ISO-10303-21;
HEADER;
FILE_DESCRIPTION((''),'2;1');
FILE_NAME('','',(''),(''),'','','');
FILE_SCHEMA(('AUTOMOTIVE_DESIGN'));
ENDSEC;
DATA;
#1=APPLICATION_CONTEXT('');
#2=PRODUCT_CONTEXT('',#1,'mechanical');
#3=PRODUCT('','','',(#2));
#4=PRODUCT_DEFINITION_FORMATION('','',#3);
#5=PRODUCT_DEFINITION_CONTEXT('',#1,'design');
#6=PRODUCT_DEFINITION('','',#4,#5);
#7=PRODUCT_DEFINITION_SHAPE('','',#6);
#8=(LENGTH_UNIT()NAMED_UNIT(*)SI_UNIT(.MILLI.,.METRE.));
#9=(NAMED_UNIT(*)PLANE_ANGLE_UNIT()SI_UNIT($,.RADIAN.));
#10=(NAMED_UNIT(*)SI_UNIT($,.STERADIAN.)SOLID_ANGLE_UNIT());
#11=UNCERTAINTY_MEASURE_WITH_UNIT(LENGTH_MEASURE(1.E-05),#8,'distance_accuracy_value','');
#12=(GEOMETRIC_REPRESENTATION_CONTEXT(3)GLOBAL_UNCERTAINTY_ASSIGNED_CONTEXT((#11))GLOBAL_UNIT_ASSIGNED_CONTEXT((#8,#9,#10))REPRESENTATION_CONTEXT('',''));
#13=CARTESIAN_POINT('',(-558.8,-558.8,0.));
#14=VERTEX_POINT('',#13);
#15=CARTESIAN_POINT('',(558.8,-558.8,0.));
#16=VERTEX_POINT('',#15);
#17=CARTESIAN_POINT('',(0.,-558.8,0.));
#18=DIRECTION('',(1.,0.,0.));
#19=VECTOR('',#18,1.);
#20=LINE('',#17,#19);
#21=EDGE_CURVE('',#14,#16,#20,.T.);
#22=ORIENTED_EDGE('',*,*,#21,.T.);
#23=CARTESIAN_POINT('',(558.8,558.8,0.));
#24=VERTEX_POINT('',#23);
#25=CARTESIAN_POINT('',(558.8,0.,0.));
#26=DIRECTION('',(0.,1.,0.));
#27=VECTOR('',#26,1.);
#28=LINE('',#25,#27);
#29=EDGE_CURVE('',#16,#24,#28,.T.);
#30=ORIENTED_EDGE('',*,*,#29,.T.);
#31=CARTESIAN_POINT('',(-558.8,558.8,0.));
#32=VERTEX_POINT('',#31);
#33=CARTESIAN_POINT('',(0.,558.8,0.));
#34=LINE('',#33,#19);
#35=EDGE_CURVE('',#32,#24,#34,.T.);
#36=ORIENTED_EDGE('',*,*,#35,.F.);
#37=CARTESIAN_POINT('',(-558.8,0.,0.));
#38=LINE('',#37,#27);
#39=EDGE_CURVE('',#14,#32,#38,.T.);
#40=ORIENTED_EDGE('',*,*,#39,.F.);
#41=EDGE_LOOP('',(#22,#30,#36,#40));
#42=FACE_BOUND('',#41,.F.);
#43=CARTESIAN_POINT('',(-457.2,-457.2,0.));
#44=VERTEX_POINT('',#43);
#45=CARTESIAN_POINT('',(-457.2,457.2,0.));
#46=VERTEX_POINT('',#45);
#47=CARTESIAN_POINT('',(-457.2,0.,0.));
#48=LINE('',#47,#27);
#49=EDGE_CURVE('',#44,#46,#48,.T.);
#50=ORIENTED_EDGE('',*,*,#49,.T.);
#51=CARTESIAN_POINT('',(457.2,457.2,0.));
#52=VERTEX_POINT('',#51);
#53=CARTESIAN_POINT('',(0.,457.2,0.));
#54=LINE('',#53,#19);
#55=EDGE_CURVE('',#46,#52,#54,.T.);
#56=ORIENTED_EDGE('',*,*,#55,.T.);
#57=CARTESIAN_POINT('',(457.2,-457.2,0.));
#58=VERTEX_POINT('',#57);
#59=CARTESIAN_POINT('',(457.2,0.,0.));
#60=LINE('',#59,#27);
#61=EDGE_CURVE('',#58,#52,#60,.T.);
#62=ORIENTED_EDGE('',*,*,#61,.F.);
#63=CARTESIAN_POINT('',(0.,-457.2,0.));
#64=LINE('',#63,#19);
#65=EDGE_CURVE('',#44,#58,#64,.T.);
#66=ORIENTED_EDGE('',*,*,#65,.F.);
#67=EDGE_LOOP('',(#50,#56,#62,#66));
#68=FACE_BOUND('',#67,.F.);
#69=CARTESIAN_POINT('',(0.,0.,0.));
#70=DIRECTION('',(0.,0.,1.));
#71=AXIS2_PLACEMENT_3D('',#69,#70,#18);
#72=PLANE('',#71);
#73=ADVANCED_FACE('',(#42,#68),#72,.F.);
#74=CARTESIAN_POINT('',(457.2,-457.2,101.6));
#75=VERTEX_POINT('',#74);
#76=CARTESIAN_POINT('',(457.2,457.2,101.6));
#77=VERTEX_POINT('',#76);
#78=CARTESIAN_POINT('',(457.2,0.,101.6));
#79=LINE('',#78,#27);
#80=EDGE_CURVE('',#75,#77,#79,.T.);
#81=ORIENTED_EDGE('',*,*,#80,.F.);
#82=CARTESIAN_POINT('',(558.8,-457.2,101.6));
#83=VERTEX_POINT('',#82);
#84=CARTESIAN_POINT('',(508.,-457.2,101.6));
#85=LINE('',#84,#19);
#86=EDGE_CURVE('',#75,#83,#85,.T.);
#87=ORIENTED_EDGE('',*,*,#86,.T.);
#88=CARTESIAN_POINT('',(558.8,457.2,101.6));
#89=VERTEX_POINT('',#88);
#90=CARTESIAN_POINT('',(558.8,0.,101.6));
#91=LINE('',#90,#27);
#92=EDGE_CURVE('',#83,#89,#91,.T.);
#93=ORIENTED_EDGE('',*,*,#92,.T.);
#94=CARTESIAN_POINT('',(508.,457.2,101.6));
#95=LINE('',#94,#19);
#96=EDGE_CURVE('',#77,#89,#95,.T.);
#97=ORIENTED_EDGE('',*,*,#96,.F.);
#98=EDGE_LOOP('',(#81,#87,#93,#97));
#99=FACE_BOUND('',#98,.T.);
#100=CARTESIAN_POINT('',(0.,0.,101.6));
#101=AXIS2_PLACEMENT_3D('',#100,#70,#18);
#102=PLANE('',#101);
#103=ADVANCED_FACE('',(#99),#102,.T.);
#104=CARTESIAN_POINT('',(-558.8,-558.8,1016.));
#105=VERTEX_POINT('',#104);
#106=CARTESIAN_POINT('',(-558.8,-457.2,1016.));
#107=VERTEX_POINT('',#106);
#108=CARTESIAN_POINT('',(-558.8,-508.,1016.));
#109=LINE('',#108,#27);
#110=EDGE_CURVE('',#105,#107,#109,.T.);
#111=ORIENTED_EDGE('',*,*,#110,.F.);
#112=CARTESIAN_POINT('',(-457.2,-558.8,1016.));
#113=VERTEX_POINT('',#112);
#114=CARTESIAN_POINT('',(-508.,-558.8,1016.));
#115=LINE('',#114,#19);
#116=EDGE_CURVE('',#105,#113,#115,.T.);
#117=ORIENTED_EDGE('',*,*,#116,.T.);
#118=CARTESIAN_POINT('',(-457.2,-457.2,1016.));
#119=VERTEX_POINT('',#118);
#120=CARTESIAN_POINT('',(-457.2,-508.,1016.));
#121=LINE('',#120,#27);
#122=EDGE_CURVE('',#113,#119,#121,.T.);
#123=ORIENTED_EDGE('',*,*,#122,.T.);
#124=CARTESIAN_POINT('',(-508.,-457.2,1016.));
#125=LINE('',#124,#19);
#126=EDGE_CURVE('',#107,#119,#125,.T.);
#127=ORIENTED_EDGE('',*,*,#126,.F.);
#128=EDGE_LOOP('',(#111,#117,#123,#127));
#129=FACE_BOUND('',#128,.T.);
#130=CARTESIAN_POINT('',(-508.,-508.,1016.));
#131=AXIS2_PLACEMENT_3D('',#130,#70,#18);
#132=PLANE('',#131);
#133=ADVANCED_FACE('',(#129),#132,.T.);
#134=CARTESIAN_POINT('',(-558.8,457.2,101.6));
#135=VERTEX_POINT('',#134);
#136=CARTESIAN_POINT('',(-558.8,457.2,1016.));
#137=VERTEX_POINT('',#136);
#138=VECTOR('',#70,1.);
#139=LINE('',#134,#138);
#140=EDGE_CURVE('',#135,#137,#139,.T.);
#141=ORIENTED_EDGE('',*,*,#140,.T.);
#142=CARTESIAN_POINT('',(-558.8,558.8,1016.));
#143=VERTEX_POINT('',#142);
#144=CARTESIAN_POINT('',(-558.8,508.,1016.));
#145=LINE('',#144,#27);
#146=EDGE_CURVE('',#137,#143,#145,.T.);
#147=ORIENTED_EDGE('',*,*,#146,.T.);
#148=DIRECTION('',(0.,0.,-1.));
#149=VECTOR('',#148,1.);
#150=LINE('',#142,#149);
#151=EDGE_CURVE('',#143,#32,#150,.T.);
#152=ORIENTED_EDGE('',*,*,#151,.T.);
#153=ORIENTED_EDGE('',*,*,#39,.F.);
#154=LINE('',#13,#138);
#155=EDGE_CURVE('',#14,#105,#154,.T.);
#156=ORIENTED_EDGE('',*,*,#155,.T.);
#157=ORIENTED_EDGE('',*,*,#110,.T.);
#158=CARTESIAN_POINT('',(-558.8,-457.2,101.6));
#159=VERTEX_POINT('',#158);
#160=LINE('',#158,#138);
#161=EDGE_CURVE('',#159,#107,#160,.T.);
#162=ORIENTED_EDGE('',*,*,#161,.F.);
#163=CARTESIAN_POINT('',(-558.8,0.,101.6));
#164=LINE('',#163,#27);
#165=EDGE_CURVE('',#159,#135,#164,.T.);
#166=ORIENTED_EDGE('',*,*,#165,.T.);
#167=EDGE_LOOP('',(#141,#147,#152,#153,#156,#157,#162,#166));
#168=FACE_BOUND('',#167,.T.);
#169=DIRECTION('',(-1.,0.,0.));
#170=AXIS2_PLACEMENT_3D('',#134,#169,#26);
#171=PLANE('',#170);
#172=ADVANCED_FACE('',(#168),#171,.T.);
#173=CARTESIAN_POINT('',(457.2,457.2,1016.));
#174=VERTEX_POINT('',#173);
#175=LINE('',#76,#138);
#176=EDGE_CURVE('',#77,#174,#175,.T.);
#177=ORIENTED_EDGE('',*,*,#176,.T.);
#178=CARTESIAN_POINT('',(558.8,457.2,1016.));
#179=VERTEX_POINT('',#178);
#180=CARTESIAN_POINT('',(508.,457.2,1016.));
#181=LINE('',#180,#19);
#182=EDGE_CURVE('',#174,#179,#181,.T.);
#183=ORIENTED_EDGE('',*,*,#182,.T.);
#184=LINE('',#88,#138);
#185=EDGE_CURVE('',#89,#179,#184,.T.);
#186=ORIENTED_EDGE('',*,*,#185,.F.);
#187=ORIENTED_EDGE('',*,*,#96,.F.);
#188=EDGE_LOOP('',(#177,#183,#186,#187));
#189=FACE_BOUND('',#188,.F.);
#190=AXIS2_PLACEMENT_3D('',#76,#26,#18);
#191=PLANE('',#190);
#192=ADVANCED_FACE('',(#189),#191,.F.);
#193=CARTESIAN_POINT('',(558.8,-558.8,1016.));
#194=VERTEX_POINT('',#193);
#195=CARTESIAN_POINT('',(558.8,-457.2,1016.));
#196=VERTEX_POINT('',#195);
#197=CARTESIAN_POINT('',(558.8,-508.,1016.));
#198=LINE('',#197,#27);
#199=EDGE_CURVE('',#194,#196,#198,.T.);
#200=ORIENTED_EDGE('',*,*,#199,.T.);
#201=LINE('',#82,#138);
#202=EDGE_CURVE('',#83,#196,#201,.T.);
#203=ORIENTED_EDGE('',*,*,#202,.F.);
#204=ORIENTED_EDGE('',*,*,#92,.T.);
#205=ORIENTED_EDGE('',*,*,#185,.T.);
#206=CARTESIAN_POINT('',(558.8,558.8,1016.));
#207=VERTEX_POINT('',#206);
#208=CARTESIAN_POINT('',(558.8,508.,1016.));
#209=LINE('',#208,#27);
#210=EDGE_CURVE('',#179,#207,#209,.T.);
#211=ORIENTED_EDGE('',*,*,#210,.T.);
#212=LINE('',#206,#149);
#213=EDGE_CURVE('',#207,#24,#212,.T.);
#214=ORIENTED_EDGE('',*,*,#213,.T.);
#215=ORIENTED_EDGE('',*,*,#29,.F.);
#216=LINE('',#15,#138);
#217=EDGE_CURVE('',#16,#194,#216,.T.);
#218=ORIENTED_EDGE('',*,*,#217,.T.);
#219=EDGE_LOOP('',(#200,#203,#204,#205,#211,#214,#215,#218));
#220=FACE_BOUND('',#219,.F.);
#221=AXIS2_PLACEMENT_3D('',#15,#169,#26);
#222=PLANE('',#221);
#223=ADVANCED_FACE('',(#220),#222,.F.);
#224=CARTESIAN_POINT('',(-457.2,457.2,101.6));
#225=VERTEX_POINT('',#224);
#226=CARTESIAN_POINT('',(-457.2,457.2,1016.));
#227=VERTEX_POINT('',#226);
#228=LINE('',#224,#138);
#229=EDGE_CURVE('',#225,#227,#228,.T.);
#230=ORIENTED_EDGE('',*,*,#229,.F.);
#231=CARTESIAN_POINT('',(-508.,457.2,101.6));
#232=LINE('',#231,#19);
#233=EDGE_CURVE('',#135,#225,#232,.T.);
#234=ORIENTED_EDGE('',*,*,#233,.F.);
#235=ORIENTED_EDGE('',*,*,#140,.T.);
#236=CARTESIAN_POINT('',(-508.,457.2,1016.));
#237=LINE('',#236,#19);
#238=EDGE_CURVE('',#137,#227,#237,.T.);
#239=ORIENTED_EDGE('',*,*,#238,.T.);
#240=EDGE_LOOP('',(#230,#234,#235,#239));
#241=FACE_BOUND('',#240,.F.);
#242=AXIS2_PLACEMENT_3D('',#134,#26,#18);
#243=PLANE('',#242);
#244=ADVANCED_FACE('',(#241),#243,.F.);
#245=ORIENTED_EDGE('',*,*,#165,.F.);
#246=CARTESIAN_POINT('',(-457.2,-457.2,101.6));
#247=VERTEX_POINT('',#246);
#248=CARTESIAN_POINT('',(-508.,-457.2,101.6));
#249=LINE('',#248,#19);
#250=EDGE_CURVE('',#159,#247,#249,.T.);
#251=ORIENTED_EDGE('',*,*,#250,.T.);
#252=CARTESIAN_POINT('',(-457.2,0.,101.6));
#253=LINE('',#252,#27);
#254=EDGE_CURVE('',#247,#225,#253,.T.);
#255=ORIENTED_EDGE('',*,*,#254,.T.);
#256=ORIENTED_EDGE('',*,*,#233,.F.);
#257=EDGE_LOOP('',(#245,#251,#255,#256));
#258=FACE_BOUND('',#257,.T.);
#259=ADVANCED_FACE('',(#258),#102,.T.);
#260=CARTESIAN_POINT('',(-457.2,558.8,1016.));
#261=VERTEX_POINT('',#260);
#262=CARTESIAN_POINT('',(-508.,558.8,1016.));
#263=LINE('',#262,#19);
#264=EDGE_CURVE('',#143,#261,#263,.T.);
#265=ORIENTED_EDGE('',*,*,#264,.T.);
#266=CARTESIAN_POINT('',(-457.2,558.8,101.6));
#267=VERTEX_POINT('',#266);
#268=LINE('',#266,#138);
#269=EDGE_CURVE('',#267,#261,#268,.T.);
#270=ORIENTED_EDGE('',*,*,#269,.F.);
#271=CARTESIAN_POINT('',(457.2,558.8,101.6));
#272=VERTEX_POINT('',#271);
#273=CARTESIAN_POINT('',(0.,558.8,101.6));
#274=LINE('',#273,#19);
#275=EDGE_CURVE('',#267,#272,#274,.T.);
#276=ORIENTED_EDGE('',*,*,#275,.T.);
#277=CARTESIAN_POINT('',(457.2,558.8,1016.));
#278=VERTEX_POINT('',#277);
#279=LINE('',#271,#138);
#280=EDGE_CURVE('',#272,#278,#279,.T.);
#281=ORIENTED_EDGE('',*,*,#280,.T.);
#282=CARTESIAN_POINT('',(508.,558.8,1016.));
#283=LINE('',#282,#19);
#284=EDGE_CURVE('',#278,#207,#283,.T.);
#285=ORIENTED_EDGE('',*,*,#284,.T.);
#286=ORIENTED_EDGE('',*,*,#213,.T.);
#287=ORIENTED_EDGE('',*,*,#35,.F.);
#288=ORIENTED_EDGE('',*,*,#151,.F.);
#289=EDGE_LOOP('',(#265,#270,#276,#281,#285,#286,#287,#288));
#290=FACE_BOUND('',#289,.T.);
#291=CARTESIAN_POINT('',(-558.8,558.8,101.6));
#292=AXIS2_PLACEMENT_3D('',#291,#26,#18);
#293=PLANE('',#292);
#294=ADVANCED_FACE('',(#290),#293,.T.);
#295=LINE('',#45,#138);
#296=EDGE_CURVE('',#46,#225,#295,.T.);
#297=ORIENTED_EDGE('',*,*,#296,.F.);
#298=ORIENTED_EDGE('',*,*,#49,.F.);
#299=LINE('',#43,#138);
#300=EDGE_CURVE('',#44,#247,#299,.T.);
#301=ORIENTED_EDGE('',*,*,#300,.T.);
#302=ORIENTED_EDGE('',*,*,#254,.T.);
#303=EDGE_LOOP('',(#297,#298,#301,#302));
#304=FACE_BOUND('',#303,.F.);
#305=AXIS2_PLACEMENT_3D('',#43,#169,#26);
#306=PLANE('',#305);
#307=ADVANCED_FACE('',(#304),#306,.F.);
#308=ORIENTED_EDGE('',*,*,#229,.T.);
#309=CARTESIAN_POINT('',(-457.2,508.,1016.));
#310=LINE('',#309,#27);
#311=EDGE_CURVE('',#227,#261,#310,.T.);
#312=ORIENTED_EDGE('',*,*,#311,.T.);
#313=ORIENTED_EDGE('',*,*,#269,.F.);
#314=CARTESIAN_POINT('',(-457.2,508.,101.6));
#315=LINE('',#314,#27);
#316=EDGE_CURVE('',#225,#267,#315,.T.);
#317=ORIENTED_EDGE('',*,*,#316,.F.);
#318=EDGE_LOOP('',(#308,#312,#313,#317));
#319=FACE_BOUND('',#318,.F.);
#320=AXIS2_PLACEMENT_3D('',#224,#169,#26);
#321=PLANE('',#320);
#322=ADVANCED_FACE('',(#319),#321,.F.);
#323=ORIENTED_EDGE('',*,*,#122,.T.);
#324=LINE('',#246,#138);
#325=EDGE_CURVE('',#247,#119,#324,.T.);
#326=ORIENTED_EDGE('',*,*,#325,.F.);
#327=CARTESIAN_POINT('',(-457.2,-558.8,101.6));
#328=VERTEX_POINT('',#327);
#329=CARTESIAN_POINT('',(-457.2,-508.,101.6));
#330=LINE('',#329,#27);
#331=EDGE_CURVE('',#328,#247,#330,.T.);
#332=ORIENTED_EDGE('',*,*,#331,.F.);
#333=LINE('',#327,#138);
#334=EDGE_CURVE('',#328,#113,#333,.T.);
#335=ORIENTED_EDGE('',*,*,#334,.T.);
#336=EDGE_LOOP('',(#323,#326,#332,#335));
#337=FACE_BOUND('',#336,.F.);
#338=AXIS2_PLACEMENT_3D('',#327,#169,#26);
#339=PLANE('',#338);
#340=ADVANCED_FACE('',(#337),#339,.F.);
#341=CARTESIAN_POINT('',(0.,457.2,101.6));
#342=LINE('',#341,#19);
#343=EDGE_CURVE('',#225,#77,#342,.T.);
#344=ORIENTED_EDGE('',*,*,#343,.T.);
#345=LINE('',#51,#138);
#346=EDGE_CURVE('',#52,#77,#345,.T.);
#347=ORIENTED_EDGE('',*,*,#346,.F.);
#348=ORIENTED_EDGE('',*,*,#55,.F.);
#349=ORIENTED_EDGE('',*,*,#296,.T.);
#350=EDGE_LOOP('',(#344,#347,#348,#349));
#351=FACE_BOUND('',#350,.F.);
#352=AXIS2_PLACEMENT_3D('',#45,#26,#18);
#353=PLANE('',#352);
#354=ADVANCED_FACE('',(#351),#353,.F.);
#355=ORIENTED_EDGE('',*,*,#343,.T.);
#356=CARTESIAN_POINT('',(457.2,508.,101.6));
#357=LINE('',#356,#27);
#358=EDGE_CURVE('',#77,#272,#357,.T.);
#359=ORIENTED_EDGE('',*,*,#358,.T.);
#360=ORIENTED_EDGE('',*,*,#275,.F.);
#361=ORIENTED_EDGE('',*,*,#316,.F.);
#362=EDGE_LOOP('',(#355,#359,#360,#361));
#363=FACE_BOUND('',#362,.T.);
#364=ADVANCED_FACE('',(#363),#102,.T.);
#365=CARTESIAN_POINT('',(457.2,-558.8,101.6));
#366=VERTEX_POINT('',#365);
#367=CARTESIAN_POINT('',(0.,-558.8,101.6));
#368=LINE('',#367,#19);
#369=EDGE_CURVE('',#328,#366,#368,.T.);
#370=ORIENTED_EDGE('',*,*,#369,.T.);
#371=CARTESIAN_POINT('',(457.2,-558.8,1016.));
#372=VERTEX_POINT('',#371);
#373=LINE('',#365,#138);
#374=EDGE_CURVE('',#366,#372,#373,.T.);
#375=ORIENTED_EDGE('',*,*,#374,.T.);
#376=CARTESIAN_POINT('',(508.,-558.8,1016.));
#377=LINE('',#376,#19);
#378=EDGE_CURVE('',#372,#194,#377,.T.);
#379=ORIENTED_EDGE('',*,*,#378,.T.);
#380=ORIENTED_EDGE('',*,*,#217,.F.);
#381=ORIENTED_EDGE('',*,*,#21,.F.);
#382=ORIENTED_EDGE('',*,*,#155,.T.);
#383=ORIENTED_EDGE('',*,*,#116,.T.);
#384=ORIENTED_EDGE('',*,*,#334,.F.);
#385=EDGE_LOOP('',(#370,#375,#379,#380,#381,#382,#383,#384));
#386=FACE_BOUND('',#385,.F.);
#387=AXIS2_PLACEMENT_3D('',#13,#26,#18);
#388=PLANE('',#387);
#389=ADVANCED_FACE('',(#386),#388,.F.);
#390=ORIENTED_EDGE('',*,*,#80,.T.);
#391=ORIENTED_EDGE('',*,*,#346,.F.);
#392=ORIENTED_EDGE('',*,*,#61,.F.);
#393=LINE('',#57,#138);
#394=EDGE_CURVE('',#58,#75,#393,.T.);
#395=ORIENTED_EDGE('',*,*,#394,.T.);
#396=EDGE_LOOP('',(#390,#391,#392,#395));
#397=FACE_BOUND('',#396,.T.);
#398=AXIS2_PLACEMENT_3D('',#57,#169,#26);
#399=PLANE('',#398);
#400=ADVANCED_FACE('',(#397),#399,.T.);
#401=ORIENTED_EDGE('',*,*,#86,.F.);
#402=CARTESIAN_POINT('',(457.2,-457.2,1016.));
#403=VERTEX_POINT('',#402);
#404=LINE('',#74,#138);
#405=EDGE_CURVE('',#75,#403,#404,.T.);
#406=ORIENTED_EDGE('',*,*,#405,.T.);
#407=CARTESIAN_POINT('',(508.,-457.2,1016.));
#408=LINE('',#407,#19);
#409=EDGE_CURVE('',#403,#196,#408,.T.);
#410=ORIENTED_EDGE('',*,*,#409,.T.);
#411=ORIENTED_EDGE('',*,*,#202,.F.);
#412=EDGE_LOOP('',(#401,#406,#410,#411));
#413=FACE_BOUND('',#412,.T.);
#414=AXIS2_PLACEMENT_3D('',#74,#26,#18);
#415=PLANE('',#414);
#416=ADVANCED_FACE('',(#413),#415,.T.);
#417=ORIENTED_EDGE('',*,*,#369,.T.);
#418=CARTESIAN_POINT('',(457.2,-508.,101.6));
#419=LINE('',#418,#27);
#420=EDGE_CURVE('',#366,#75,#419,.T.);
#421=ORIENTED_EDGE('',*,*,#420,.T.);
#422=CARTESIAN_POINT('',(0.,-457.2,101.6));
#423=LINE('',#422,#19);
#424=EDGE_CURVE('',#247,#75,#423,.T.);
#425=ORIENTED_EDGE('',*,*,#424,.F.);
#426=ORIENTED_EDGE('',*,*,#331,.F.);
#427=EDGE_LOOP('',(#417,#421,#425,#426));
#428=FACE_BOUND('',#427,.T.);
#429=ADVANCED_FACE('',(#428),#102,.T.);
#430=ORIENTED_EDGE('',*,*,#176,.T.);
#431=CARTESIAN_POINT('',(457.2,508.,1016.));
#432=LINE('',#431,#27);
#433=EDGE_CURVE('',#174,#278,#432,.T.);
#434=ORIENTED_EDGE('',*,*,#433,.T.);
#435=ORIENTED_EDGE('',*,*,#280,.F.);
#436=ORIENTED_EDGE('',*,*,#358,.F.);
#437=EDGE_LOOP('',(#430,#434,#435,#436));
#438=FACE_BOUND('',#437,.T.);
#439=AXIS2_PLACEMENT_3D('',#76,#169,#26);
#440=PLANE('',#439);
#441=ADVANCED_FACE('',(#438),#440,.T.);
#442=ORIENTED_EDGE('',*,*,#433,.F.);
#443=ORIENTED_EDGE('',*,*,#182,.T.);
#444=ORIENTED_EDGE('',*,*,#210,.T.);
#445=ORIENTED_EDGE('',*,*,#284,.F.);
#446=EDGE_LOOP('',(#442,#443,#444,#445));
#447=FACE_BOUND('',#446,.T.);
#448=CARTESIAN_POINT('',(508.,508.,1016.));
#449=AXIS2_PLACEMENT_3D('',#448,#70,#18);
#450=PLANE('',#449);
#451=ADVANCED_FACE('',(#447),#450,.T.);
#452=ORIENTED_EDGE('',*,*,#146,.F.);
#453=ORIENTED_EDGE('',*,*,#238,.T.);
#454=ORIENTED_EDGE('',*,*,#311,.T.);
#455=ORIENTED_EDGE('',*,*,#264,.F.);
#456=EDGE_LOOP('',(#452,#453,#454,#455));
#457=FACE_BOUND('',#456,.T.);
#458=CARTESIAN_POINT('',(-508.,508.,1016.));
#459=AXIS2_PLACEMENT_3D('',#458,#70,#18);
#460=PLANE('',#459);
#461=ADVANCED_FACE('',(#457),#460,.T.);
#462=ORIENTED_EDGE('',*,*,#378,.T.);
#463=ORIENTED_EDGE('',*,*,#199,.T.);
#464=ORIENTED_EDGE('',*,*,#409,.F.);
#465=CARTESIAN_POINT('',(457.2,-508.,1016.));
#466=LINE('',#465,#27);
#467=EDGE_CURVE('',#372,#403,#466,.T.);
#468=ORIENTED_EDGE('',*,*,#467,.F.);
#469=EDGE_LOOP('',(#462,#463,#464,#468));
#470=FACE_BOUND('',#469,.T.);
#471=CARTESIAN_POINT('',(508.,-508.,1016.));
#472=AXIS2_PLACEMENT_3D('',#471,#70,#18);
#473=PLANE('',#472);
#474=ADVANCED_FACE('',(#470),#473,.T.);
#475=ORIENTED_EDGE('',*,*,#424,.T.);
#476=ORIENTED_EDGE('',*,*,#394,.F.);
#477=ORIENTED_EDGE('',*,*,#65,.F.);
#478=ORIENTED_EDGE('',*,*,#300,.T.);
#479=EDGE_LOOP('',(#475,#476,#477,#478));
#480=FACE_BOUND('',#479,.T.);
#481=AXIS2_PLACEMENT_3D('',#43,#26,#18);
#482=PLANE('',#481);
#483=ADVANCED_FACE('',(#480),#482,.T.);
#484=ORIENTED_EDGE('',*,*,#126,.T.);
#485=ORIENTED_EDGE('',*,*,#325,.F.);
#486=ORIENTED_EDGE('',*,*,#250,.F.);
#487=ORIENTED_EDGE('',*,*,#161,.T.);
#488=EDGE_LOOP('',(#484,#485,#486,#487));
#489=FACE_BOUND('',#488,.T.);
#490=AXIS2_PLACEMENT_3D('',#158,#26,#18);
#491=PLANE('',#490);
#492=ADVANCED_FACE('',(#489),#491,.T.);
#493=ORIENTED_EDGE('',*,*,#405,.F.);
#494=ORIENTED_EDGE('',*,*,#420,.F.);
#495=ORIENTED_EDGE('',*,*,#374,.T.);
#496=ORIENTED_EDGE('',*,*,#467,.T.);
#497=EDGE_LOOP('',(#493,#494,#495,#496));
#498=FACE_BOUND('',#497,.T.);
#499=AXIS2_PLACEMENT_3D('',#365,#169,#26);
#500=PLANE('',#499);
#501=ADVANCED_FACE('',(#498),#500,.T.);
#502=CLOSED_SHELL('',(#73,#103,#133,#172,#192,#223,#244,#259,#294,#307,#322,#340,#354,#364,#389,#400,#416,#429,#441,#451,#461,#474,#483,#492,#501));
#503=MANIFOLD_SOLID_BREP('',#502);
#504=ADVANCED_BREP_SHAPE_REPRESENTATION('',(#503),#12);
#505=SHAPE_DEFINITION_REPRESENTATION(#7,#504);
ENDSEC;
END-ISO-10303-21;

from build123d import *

# Parameters (mm, degrees)
F0_W     = 1117.6
F0_H     = 1117.6
F0_W_2   = 914.4
F0_H_2   = 914.4
F1_DEPTH = 101.6
F2_W     = 101.6
F2_H     = 101.6
F3_DEPTH = 914.4


with BuildPart() as f1:
    # F0 (on Top) → F1 (new body)
    with BuildSketch(Plane.XY):
        Rectangle(F0_W, F0_H)
        Rectangle(F0_W_2, F0_H_2, mode=Mode.SUBTRACT)
    extrude(amount=F1_DEPTH)

    # F2 (on face) → F3 (join)
    with BuildSketch(Plane.XY.offset(101.6)):
        with Locations((-508, 508)):
            Rectangle(F2_W, F2_H)
        with Locations((508, 508)):
            Rectangle(F2_W, F2_H)
        with Locations((508, -508)):
            Rectangle(F2_W, F2_H)
        with Locations((-508, -508)):
            Rectangle(F2_W, F2_H)
    extrude(amount=F3_DEPTH)


solid = f1.part
